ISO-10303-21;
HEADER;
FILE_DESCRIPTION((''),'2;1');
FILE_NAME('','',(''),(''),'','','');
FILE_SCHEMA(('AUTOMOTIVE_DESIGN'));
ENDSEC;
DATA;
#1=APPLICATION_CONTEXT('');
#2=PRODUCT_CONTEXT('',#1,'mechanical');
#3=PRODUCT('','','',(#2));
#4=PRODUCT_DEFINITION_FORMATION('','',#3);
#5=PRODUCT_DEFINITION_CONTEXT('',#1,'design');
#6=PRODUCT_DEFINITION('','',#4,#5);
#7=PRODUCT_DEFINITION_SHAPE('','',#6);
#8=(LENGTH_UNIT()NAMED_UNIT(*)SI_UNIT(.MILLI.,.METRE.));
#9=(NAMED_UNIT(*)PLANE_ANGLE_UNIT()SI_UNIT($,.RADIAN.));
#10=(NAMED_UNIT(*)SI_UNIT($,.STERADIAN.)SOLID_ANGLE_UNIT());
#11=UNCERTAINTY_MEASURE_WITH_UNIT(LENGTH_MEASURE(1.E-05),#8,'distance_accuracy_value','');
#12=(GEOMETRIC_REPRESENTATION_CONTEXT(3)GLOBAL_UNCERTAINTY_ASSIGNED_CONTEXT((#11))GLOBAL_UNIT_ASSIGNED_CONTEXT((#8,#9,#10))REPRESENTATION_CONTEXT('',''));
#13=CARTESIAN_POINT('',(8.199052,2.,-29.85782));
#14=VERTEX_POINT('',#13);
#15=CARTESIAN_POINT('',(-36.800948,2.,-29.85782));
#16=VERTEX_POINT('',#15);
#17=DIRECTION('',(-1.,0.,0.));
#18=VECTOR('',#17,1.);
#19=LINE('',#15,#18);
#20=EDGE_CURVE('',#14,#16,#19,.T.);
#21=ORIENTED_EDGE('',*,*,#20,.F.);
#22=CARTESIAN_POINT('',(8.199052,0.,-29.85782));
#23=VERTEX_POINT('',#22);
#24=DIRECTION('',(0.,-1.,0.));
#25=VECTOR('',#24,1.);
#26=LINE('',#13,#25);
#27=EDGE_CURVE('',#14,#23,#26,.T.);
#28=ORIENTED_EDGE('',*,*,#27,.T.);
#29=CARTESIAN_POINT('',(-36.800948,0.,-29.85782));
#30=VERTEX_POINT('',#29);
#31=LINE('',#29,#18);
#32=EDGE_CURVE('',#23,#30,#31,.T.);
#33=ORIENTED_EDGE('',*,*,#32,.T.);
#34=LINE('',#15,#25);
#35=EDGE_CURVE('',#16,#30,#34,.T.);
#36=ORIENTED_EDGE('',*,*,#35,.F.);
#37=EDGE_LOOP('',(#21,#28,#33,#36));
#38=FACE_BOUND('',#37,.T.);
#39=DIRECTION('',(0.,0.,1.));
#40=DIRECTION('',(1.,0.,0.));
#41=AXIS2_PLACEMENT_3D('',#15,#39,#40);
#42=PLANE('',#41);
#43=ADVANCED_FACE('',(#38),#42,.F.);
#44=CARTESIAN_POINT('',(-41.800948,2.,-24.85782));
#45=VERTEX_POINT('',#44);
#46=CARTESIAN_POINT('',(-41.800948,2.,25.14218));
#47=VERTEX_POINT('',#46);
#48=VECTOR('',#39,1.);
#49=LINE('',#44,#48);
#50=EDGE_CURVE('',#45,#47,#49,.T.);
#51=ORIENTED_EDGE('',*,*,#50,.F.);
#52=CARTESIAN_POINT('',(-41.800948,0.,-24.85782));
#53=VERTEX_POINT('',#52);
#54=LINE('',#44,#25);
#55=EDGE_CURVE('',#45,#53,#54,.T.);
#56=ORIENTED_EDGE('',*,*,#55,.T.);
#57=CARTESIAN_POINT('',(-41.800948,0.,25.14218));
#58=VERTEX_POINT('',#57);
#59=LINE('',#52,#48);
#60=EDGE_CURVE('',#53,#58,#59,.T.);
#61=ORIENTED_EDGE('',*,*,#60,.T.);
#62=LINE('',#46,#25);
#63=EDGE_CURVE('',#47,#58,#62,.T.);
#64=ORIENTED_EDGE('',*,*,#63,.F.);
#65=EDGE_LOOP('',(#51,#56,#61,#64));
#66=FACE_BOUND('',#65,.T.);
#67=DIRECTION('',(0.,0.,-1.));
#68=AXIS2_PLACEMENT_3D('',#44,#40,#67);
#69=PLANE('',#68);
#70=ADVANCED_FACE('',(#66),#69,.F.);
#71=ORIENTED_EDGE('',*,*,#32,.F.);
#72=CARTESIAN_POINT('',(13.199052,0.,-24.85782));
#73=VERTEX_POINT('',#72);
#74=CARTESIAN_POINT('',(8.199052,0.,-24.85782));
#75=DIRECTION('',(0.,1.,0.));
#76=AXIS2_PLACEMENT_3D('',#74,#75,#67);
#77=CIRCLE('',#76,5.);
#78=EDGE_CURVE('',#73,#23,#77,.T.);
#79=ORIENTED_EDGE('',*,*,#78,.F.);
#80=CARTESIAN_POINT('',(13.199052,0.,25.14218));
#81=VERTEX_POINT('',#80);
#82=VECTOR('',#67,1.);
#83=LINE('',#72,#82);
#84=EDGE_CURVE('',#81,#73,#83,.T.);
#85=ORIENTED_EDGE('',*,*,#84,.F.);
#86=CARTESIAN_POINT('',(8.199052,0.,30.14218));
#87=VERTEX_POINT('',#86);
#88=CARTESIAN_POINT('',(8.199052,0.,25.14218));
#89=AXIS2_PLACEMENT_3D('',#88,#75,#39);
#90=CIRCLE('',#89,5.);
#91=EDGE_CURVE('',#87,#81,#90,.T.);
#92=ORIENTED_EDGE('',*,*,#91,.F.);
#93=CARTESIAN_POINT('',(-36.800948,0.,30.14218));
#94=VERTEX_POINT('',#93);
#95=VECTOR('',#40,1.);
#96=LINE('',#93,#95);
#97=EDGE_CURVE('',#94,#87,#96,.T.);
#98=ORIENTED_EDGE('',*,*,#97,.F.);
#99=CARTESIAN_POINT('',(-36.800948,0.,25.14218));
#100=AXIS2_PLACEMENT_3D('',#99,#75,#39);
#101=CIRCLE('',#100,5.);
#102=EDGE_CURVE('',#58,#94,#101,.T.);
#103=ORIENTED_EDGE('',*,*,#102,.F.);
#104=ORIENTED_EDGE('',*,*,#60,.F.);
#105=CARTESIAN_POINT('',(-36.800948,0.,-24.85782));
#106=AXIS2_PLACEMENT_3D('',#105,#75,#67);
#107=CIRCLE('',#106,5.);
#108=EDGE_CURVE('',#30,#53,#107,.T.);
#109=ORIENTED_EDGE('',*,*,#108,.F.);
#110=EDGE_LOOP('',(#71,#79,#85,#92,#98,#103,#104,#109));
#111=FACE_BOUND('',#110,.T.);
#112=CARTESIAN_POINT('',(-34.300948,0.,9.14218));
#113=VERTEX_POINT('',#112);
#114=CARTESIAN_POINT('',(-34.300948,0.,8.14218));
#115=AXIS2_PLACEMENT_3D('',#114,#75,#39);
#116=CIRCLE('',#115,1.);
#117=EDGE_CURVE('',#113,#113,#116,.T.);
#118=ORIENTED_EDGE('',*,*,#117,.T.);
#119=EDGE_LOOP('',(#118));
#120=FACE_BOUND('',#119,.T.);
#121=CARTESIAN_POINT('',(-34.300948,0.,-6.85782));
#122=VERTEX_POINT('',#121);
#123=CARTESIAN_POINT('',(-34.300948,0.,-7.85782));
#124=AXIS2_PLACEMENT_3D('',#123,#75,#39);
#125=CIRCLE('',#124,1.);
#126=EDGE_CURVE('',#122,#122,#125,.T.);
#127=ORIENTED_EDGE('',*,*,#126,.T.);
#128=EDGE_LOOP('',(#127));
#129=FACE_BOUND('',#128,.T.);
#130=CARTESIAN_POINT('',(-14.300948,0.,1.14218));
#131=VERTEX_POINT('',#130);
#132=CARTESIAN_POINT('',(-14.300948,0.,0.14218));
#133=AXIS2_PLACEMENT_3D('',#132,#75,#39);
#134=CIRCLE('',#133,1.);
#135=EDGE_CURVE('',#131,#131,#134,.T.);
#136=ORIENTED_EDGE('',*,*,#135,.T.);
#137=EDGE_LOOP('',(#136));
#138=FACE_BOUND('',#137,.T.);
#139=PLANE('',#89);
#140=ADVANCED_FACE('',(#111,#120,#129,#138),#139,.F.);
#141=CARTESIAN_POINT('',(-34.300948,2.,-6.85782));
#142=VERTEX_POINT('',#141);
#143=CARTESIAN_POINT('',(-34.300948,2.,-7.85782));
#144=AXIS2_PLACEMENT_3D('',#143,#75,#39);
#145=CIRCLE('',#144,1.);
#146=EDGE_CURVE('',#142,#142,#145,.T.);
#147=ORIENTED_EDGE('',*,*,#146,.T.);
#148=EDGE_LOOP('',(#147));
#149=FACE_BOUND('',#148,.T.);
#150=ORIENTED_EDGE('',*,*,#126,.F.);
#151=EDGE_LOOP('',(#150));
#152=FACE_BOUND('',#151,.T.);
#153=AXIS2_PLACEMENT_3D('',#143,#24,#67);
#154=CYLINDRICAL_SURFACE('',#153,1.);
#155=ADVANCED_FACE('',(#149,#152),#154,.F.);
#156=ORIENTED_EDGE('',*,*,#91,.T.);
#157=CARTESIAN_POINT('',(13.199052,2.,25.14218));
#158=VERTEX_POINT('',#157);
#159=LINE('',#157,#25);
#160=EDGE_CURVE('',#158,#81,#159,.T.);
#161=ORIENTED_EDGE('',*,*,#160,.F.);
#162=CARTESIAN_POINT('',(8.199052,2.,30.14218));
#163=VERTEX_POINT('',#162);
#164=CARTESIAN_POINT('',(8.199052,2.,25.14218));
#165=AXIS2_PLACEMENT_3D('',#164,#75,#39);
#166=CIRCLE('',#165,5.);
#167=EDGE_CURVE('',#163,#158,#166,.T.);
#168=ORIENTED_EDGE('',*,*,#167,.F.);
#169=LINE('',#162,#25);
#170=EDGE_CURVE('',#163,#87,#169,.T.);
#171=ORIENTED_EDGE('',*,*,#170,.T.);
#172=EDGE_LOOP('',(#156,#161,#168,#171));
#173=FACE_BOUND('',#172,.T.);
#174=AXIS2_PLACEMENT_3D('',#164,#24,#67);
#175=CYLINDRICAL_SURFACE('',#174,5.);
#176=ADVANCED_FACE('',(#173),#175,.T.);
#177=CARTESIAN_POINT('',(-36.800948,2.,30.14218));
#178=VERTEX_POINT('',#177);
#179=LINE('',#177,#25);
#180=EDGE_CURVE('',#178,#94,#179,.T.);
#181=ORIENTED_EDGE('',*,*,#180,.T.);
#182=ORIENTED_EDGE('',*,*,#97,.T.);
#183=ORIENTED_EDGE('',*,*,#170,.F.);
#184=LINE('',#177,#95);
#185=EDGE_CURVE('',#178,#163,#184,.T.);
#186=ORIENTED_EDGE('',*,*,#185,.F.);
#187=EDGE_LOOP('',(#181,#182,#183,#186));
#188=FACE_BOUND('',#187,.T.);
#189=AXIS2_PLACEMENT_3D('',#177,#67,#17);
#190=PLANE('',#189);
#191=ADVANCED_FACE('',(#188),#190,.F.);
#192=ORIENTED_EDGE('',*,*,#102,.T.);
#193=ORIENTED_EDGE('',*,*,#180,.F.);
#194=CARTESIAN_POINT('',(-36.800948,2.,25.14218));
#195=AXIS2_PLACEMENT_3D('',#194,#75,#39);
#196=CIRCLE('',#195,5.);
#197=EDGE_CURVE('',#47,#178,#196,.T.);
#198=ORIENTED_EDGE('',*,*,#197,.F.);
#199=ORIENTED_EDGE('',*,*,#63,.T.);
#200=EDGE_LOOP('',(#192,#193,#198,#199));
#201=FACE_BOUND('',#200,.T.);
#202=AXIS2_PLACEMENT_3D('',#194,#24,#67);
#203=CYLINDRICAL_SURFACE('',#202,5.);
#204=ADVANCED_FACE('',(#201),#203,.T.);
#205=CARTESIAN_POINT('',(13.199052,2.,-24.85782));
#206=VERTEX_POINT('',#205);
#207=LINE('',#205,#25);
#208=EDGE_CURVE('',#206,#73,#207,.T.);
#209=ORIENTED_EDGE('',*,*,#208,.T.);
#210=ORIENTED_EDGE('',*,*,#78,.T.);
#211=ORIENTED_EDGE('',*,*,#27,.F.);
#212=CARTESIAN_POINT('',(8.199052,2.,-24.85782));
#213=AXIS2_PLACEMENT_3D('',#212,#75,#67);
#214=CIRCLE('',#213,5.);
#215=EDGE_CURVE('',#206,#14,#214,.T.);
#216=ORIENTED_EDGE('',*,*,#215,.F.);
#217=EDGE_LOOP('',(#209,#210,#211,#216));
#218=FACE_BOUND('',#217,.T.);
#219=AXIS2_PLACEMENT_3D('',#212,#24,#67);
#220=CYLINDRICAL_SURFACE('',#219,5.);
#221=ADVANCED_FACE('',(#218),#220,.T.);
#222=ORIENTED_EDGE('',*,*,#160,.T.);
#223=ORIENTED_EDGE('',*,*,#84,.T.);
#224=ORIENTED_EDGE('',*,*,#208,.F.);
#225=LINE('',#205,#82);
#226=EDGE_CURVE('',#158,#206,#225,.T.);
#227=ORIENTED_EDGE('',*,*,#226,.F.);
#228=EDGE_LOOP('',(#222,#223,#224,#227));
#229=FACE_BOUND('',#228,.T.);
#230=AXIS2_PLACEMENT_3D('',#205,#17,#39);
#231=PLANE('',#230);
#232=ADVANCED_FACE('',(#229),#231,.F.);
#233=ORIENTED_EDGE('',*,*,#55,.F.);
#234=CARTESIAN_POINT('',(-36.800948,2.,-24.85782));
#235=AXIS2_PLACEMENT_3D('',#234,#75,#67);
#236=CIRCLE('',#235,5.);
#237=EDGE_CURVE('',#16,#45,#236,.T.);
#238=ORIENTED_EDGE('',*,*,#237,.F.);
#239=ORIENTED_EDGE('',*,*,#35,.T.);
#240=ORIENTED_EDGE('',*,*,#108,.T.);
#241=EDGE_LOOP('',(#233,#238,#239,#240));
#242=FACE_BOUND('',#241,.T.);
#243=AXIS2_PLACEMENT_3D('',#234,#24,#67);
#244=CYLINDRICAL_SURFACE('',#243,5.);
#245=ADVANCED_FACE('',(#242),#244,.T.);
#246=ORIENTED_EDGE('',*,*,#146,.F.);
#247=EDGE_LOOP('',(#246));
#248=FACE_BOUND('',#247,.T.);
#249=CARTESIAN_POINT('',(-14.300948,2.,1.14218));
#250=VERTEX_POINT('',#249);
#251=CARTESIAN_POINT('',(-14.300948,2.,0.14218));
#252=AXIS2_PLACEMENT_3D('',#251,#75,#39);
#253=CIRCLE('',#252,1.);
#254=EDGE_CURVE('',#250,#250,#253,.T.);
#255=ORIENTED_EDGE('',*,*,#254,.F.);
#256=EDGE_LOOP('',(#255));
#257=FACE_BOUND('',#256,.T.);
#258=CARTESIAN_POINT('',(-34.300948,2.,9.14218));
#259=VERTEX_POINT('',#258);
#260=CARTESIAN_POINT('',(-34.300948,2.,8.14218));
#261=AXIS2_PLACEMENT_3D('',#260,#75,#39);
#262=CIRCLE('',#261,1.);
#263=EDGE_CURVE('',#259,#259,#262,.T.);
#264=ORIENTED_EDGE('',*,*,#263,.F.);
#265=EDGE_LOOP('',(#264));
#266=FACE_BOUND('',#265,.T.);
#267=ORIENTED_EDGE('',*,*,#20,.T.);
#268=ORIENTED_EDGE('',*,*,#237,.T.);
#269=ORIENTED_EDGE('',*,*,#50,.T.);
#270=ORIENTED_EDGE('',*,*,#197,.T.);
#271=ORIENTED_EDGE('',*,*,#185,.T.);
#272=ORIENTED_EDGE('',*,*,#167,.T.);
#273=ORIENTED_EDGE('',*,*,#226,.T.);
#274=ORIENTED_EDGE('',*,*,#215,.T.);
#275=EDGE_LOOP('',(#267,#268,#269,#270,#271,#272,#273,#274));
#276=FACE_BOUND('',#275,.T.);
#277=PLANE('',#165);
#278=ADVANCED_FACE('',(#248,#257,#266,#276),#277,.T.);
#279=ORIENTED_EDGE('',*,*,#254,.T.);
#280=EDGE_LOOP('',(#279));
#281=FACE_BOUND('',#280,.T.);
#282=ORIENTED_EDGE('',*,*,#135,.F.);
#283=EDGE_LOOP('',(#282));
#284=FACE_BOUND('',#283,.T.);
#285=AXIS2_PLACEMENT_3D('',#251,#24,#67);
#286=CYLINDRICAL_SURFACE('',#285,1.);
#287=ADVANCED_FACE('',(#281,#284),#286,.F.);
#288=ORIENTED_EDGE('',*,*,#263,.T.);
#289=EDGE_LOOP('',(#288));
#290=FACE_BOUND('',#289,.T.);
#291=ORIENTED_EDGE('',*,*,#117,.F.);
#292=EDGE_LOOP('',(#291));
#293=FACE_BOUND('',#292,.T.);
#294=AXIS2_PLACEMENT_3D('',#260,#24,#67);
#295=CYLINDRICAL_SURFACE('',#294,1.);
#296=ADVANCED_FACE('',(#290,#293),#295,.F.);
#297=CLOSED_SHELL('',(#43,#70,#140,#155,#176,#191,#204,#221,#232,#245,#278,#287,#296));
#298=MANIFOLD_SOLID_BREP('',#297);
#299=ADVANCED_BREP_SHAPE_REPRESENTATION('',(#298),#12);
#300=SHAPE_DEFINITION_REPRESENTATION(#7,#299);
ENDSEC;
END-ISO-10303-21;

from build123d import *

# Parameters (mm, degrees)
SKETCH1_R           = 1
BOSS_EXTRUDE1_DEPTH = 2


with BuildPart() as part:
    # Sketch1 → Boss-Extrude1 (new body)
    with BuildSketch(Plane(origin=(0, 0, 0), x_dir=(1, 0, 0), z_dir=(0, 1, 0))):
        with BuildLine():
            Line((-36.800947867, 29.857819905), (8.199052133, 29.857819905))
            ThreePointArc((8.199052133, 29.857819905), (11.734586039, 28.393353811), (13.199052133, 24.857819905))
            Line((13.199052133, 24.857819905), (13.199052133, -25.142180095))
            ThreePointArc((13.199052133, -25.142180095), (11.734586039, -28.677714001), (8.199052133, -30.142180095))
            Line((8.199052133, -30.142180095), (-36.800947867, -30.142180095))
            ThreePointArc((-36.800947867, -30.142180095), (-40.336481773, -28.677714001), (-41.800947867, -25.142180095))
            Line((-41.800947867, -25.142180095), (-41.800947867, 24.857819905))
            ThreePointArc((-41.800947867, 24.857819905), (-40.336481773, 28.393353811), (-36.800947867, 29.857819905))
        make_face()
        with Locations(Location((-34.300947867, 7.857819905, 0), (0, 0, 270))):
            Circle(SKETCH1_R, mode=Mode.SUBTRACT)
        with Locations(Location((-34.300947867, -8.142180095, 0), (0, 0, 270))):
            Circle(SKETCH1_R, mode=Mode.SUBTRACT)
        with Locations(Location((-14.300947867, -0.142180095, 0), (0, 0, 270))):
            Circle(SKETCH1_R, mode=Mode.SUBTRACT)
    extrude(amount=BOSS_EXTRUDE1_DEPTH)


solid = part.part
